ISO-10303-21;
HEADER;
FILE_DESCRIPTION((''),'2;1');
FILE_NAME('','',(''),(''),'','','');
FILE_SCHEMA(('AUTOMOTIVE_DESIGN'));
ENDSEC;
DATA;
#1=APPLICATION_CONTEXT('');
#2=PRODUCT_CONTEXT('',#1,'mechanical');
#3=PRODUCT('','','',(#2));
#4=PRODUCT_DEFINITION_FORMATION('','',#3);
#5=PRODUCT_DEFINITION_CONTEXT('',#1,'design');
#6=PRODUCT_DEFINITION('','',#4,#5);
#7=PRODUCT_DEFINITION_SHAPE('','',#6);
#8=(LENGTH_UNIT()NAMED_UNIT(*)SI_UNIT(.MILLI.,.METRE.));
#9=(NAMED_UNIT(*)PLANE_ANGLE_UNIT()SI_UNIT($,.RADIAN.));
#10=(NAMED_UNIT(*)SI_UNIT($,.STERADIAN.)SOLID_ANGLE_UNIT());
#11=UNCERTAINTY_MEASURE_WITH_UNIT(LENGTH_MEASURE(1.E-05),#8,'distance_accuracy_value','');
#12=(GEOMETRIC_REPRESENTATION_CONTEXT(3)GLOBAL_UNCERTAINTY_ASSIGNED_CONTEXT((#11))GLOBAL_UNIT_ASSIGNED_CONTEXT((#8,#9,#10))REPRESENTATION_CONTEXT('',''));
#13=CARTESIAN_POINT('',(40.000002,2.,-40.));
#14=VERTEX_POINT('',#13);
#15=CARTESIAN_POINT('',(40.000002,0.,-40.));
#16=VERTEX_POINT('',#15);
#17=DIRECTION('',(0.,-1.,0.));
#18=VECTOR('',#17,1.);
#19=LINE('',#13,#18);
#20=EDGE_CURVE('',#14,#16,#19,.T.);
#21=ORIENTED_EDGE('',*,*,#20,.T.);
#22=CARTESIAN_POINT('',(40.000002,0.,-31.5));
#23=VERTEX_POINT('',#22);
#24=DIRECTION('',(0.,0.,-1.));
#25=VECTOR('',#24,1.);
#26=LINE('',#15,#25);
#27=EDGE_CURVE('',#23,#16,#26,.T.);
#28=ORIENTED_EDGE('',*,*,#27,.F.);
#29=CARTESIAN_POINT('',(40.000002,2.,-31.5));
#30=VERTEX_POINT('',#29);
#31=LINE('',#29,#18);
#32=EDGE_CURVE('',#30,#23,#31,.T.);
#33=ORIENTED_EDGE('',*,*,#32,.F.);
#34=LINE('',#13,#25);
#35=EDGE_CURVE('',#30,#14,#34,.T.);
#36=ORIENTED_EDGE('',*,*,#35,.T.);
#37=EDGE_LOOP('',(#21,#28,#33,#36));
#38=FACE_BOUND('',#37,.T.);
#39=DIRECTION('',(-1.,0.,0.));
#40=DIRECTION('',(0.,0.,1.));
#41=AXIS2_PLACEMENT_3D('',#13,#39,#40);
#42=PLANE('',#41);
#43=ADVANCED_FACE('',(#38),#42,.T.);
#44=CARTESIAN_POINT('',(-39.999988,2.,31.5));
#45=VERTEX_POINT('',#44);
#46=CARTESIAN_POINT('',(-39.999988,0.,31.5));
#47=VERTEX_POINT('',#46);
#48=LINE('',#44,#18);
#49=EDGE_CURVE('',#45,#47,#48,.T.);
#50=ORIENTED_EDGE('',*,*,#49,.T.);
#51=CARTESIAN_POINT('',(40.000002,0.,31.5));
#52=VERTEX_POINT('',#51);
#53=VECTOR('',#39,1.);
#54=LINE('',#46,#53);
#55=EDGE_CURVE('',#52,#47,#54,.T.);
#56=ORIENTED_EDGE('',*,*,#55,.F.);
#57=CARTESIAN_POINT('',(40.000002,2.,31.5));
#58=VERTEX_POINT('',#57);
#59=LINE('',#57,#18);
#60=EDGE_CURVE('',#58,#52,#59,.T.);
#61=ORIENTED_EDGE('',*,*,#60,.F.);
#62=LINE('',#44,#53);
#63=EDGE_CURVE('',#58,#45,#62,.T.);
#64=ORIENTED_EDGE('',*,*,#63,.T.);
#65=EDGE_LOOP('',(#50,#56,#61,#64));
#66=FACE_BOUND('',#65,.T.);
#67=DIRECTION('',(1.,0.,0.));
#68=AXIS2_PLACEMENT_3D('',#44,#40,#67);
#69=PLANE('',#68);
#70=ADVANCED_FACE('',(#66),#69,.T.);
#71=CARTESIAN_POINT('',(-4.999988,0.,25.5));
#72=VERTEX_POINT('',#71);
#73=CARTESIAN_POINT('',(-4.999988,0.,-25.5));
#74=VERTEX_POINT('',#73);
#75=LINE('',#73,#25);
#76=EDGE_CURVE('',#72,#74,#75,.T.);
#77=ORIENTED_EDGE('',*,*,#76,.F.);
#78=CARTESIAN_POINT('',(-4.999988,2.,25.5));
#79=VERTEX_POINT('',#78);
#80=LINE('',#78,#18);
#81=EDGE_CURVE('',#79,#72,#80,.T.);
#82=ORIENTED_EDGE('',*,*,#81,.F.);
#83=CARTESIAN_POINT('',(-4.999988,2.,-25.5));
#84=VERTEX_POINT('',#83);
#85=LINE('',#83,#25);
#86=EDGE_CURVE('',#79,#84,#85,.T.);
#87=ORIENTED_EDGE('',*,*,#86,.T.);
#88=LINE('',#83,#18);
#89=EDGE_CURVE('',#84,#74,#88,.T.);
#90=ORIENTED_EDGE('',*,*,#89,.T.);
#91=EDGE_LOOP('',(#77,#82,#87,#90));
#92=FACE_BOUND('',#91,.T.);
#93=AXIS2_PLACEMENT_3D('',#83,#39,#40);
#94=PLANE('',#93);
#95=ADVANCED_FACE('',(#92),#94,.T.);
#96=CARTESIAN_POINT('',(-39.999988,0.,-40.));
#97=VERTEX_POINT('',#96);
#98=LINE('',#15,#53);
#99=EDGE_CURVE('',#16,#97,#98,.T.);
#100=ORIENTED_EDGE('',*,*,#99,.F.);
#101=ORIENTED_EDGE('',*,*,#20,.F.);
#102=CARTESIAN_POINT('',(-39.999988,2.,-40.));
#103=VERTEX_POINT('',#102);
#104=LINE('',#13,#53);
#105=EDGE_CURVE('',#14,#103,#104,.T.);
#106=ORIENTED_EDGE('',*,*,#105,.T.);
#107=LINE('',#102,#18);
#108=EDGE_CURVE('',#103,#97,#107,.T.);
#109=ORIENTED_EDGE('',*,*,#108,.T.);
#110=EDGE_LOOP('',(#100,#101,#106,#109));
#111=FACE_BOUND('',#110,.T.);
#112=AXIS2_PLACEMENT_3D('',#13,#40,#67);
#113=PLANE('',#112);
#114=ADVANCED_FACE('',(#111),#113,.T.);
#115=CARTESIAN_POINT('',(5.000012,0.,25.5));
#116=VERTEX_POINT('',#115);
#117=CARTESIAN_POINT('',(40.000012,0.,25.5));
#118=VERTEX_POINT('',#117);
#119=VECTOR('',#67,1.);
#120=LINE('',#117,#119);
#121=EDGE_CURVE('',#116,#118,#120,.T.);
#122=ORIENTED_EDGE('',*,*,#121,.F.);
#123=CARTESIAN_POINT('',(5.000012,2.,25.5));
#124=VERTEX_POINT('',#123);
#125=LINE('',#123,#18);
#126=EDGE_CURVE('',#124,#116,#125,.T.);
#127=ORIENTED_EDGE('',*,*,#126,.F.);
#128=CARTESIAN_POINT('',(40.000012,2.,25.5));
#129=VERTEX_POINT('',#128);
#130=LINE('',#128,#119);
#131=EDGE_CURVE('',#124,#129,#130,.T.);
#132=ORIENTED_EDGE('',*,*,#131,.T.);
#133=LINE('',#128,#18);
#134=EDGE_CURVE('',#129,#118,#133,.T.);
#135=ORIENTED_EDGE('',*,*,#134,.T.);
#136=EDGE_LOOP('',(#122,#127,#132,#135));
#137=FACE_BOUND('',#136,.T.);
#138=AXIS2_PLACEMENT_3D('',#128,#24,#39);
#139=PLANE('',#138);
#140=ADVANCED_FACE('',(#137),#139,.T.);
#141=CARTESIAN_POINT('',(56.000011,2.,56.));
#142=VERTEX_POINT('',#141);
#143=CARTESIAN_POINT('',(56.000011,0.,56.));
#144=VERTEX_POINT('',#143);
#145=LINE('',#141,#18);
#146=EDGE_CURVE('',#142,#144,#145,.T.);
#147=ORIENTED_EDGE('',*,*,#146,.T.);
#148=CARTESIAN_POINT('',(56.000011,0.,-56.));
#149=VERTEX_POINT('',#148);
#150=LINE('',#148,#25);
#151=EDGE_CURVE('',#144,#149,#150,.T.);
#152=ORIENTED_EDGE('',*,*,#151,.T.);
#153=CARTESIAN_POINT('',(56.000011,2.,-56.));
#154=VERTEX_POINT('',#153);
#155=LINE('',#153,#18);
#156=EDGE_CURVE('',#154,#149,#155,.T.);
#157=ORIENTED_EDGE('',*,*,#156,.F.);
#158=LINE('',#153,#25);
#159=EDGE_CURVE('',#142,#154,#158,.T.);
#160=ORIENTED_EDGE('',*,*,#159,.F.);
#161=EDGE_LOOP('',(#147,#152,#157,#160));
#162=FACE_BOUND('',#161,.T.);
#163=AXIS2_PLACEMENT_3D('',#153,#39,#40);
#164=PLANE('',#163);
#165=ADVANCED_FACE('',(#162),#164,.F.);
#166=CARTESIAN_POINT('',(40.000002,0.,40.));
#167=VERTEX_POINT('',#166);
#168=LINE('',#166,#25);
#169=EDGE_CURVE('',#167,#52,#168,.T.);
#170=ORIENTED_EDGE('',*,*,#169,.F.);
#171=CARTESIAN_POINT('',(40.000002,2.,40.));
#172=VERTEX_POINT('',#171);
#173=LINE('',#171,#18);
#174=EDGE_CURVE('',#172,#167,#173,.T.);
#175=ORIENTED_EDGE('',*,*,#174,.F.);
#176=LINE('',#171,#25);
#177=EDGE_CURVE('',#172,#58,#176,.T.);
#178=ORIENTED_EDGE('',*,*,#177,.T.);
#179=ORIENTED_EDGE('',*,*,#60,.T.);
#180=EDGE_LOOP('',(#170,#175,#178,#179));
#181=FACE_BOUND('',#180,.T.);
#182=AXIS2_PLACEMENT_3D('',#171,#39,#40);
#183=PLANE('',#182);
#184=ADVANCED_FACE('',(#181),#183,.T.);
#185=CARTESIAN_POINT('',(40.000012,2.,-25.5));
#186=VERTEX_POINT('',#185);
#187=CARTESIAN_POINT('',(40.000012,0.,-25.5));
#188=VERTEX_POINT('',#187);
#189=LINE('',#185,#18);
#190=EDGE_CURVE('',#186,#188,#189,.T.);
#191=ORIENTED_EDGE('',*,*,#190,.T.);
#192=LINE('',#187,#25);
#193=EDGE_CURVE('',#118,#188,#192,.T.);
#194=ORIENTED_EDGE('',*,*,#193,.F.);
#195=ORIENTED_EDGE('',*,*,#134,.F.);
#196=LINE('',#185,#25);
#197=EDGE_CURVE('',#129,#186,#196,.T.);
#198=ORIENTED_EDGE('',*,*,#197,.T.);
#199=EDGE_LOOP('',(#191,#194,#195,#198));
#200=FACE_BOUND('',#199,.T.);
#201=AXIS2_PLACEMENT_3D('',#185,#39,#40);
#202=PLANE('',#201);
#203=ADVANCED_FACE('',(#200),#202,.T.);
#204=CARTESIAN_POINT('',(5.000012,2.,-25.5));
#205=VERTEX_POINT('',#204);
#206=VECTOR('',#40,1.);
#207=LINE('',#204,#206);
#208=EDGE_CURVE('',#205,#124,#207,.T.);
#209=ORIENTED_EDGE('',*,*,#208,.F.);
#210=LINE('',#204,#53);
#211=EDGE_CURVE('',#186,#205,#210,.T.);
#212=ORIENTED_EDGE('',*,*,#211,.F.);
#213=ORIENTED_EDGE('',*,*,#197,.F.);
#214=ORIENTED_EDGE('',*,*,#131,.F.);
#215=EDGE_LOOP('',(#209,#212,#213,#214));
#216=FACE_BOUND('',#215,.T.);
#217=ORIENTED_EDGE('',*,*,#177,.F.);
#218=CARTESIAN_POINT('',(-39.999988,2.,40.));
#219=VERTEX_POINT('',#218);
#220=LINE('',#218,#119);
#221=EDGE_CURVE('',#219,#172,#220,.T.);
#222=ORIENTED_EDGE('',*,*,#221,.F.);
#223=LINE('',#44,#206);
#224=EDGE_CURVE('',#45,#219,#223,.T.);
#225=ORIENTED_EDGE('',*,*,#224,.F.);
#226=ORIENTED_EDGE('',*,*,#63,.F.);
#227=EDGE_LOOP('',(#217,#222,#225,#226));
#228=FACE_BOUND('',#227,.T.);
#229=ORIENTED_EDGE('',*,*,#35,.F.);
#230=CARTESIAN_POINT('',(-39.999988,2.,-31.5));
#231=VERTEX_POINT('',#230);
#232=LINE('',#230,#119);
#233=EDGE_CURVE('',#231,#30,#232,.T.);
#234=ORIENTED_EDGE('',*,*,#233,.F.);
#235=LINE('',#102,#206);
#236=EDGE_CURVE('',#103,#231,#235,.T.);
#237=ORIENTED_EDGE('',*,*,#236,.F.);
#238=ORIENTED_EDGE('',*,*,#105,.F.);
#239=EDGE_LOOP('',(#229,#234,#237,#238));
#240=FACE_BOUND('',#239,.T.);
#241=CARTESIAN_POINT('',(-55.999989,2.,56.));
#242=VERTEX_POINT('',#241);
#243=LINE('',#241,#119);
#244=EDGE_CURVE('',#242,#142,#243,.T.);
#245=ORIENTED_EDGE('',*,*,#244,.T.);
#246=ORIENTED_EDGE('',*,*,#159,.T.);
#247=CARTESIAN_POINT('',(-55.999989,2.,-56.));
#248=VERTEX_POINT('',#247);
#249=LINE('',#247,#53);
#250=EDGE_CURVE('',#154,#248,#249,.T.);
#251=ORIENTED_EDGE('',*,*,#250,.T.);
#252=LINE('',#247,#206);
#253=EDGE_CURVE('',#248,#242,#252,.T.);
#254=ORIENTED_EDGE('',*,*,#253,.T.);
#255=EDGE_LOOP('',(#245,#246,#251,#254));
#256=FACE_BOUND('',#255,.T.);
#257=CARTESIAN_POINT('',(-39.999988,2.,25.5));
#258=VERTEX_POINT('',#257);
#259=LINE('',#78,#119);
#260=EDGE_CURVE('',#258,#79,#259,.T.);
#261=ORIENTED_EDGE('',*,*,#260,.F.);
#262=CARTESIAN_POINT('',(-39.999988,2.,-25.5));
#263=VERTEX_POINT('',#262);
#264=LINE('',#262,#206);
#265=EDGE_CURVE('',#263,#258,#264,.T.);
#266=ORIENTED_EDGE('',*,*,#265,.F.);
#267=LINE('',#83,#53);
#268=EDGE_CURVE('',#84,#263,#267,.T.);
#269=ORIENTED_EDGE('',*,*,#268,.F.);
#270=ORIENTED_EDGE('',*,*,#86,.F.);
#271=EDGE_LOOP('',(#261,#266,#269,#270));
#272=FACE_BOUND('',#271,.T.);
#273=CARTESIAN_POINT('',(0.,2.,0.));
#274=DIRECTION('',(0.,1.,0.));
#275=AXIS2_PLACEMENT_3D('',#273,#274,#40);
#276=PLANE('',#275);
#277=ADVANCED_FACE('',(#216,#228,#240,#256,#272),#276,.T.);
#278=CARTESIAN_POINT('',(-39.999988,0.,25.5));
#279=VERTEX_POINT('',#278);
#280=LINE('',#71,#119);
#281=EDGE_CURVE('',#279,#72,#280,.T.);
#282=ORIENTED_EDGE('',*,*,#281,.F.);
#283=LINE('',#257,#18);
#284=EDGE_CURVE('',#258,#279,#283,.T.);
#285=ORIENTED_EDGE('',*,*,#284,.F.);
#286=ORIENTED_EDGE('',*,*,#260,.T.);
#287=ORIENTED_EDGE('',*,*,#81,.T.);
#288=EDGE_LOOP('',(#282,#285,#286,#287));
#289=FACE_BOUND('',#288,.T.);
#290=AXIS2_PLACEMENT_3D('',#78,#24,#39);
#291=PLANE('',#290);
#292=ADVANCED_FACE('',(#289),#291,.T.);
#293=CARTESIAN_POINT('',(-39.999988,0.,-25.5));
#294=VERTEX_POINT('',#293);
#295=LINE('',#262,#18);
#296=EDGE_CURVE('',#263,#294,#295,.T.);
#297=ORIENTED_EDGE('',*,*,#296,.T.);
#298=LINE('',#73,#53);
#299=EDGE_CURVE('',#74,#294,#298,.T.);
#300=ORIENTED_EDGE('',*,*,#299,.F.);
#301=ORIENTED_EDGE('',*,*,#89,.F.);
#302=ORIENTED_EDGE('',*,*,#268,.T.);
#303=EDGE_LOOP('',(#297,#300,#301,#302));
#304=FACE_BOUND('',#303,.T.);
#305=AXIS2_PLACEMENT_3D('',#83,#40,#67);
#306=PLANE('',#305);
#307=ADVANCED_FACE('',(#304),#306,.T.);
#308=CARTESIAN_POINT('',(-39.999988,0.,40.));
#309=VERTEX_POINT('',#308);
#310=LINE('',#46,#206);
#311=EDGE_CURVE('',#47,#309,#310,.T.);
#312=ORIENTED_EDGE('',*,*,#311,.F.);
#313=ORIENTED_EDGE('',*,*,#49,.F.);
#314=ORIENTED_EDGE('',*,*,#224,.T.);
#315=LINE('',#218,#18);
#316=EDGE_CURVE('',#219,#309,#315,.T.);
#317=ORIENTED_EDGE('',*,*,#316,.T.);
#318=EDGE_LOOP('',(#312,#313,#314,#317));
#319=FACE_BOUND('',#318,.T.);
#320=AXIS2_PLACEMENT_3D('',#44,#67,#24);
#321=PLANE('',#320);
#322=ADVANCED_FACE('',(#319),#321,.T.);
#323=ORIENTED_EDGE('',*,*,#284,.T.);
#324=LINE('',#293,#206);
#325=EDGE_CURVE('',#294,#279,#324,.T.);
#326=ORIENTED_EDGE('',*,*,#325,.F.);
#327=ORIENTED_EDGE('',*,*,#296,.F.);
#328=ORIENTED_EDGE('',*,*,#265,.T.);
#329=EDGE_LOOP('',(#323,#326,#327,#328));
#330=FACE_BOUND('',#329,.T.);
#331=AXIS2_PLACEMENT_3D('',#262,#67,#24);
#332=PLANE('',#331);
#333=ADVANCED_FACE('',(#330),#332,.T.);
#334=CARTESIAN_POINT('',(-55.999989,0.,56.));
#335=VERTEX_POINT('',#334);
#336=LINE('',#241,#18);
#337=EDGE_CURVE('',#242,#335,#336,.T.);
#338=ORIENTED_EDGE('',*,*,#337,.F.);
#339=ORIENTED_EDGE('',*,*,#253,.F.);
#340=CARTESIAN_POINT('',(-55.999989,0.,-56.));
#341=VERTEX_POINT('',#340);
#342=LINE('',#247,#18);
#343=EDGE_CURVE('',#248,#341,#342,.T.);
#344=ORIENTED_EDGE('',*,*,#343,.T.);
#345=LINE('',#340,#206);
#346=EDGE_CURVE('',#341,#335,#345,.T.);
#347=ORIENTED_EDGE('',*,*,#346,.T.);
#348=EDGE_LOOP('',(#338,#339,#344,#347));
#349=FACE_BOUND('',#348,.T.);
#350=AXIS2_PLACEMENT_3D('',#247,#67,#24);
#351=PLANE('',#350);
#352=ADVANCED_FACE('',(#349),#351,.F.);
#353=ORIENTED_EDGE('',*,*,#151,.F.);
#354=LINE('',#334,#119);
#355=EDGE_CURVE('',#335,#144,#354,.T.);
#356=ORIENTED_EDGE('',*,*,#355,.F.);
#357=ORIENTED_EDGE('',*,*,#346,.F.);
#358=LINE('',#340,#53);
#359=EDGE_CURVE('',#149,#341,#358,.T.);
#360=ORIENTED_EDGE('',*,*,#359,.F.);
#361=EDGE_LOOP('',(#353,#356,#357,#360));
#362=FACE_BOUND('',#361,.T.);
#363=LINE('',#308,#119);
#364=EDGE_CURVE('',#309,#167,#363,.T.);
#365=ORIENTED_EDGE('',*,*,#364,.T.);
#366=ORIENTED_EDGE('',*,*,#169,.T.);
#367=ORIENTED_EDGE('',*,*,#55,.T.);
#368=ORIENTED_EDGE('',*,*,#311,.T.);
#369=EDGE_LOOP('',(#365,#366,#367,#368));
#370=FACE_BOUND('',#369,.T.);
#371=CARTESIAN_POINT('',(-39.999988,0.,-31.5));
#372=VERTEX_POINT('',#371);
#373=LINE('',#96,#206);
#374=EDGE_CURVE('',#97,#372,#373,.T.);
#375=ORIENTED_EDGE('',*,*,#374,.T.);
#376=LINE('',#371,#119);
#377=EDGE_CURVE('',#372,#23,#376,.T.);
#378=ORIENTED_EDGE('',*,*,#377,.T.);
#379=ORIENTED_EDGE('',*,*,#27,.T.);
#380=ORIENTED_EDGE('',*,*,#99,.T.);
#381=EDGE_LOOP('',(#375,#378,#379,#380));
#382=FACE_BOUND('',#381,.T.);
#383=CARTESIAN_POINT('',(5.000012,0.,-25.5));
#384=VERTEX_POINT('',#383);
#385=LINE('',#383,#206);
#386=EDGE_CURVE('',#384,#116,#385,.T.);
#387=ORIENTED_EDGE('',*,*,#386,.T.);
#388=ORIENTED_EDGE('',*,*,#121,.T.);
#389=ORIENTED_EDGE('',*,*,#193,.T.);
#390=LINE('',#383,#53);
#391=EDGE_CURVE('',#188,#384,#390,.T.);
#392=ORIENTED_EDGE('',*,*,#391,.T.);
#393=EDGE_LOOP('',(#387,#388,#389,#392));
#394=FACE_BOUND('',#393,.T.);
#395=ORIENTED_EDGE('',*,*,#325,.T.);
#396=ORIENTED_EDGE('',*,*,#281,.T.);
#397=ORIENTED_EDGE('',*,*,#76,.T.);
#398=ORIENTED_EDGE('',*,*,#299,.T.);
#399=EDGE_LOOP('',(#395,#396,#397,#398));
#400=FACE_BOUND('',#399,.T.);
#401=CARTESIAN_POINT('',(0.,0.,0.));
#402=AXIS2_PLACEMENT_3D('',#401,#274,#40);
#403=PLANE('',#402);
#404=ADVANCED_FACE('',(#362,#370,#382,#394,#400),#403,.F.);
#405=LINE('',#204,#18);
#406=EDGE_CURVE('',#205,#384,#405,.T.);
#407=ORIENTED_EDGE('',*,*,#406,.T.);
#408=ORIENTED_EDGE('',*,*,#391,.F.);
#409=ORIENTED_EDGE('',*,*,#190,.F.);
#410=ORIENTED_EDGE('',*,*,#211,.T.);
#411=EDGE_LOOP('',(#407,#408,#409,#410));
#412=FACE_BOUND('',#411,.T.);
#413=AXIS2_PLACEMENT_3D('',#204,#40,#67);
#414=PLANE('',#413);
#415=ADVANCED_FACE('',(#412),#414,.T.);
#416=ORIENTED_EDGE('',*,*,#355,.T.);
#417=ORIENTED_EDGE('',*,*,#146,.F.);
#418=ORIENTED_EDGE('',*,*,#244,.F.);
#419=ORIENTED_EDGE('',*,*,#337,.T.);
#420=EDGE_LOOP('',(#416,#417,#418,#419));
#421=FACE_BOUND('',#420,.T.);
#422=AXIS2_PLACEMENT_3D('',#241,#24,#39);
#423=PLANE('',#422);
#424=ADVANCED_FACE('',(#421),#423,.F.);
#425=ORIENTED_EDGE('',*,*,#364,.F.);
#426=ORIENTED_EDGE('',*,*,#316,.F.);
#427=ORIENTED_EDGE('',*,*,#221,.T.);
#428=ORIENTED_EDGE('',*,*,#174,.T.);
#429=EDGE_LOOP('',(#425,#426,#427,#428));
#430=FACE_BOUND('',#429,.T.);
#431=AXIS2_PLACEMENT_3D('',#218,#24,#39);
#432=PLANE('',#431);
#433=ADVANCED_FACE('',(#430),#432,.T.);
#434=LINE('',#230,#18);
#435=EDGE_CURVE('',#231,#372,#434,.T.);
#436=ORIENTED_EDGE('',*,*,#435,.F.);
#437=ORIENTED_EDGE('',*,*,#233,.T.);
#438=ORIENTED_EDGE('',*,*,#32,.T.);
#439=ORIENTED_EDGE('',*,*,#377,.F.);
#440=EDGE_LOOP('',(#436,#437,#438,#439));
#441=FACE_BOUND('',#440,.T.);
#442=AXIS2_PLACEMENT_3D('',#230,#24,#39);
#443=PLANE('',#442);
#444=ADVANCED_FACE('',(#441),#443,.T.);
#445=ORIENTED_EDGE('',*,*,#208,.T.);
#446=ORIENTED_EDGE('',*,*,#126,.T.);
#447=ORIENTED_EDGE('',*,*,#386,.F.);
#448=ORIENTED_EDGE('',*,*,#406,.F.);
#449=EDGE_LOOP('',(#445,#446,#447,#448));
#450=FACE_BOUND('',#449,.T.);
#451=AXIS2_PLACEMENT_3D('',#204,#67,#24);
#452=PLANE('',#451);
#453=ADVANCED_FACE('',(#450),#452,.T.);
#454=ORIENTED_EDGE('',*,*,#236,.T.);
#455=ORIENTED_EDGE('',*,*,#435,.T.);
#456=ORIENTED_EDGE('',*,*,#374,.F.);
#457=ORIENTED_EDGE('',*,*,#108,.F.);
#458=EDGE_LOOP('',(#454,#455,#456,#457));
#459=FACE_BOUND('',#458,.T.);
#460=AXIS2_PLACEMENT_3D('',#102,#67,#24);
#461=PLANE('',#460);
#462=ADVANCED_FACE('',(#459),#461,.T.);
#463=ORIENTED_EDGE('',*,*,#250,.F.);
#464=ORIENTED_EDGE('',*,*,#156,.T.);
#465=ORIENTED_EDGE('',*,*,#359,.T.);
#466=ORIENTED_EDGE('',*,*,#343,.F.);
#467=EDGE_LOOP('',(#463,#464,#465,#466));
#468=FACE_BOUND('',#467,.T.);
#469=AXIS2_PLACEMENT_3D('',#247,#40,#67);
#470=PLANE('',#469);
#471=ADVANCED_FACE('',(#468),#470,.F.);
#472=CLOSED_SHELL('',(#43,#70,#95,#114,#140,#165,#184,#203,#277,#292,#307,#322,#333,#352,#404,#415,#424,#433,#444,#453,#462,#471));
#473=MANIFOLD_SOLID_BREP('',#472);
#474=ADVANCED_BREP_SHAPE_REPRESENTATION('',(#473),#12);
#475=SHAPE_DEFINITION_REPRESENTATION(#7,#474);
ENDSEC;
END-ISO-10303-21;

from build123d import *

# Parameters (mm, degrees)
SKETCH4_W           = 112
SKETCH4_H           = 112
SKETCH4_W_2         = 35
SKETCH4_H_2         = 51
SKETCH4_W_3         = 79.99998991
SKETCH4_H_3         = 8.5
BOSS_EXTRUDE1_DEPTH = 2


with BuildPart() as part:
    # Sketch4 → Boss-Extrude1 (new body)
    with BuildSketch(Plane(origin=(0, 0, 0), x_dir=(1, 0, 0), z_dir=(0, 1, 0))):
        with Locations((1.0658e-05, 0)):
            Rectangle(SKETCH4_W, SKETCH4_H)
        with Locations((22.500011716, 0)):
            Rectangle(SKETCH4_W_2, SKETCH4_H_2, mode=Mode.SUBTRACT)
        with Locations((6.671e-06, -35.75)):
            Rectangle(SKETCH4_W_3, SKETCH4_H_3, mode=Mode.SUBTRACT)
        with Locations((-22.499988284, 0)):
            Rectangle(SKETCH4_W_2, SKETCH4_H_2, mode=Mode.SUBTRACT)
        with Locations((6.671e-06, 35.75)):
            Rectangle(SKETCH4_W_3, SKETCH4_H_3, mode=Mode.SUBTRACT)
    extrude(amount=BOSS_EXTRUDE1_DEPTH)


solid = part.part
